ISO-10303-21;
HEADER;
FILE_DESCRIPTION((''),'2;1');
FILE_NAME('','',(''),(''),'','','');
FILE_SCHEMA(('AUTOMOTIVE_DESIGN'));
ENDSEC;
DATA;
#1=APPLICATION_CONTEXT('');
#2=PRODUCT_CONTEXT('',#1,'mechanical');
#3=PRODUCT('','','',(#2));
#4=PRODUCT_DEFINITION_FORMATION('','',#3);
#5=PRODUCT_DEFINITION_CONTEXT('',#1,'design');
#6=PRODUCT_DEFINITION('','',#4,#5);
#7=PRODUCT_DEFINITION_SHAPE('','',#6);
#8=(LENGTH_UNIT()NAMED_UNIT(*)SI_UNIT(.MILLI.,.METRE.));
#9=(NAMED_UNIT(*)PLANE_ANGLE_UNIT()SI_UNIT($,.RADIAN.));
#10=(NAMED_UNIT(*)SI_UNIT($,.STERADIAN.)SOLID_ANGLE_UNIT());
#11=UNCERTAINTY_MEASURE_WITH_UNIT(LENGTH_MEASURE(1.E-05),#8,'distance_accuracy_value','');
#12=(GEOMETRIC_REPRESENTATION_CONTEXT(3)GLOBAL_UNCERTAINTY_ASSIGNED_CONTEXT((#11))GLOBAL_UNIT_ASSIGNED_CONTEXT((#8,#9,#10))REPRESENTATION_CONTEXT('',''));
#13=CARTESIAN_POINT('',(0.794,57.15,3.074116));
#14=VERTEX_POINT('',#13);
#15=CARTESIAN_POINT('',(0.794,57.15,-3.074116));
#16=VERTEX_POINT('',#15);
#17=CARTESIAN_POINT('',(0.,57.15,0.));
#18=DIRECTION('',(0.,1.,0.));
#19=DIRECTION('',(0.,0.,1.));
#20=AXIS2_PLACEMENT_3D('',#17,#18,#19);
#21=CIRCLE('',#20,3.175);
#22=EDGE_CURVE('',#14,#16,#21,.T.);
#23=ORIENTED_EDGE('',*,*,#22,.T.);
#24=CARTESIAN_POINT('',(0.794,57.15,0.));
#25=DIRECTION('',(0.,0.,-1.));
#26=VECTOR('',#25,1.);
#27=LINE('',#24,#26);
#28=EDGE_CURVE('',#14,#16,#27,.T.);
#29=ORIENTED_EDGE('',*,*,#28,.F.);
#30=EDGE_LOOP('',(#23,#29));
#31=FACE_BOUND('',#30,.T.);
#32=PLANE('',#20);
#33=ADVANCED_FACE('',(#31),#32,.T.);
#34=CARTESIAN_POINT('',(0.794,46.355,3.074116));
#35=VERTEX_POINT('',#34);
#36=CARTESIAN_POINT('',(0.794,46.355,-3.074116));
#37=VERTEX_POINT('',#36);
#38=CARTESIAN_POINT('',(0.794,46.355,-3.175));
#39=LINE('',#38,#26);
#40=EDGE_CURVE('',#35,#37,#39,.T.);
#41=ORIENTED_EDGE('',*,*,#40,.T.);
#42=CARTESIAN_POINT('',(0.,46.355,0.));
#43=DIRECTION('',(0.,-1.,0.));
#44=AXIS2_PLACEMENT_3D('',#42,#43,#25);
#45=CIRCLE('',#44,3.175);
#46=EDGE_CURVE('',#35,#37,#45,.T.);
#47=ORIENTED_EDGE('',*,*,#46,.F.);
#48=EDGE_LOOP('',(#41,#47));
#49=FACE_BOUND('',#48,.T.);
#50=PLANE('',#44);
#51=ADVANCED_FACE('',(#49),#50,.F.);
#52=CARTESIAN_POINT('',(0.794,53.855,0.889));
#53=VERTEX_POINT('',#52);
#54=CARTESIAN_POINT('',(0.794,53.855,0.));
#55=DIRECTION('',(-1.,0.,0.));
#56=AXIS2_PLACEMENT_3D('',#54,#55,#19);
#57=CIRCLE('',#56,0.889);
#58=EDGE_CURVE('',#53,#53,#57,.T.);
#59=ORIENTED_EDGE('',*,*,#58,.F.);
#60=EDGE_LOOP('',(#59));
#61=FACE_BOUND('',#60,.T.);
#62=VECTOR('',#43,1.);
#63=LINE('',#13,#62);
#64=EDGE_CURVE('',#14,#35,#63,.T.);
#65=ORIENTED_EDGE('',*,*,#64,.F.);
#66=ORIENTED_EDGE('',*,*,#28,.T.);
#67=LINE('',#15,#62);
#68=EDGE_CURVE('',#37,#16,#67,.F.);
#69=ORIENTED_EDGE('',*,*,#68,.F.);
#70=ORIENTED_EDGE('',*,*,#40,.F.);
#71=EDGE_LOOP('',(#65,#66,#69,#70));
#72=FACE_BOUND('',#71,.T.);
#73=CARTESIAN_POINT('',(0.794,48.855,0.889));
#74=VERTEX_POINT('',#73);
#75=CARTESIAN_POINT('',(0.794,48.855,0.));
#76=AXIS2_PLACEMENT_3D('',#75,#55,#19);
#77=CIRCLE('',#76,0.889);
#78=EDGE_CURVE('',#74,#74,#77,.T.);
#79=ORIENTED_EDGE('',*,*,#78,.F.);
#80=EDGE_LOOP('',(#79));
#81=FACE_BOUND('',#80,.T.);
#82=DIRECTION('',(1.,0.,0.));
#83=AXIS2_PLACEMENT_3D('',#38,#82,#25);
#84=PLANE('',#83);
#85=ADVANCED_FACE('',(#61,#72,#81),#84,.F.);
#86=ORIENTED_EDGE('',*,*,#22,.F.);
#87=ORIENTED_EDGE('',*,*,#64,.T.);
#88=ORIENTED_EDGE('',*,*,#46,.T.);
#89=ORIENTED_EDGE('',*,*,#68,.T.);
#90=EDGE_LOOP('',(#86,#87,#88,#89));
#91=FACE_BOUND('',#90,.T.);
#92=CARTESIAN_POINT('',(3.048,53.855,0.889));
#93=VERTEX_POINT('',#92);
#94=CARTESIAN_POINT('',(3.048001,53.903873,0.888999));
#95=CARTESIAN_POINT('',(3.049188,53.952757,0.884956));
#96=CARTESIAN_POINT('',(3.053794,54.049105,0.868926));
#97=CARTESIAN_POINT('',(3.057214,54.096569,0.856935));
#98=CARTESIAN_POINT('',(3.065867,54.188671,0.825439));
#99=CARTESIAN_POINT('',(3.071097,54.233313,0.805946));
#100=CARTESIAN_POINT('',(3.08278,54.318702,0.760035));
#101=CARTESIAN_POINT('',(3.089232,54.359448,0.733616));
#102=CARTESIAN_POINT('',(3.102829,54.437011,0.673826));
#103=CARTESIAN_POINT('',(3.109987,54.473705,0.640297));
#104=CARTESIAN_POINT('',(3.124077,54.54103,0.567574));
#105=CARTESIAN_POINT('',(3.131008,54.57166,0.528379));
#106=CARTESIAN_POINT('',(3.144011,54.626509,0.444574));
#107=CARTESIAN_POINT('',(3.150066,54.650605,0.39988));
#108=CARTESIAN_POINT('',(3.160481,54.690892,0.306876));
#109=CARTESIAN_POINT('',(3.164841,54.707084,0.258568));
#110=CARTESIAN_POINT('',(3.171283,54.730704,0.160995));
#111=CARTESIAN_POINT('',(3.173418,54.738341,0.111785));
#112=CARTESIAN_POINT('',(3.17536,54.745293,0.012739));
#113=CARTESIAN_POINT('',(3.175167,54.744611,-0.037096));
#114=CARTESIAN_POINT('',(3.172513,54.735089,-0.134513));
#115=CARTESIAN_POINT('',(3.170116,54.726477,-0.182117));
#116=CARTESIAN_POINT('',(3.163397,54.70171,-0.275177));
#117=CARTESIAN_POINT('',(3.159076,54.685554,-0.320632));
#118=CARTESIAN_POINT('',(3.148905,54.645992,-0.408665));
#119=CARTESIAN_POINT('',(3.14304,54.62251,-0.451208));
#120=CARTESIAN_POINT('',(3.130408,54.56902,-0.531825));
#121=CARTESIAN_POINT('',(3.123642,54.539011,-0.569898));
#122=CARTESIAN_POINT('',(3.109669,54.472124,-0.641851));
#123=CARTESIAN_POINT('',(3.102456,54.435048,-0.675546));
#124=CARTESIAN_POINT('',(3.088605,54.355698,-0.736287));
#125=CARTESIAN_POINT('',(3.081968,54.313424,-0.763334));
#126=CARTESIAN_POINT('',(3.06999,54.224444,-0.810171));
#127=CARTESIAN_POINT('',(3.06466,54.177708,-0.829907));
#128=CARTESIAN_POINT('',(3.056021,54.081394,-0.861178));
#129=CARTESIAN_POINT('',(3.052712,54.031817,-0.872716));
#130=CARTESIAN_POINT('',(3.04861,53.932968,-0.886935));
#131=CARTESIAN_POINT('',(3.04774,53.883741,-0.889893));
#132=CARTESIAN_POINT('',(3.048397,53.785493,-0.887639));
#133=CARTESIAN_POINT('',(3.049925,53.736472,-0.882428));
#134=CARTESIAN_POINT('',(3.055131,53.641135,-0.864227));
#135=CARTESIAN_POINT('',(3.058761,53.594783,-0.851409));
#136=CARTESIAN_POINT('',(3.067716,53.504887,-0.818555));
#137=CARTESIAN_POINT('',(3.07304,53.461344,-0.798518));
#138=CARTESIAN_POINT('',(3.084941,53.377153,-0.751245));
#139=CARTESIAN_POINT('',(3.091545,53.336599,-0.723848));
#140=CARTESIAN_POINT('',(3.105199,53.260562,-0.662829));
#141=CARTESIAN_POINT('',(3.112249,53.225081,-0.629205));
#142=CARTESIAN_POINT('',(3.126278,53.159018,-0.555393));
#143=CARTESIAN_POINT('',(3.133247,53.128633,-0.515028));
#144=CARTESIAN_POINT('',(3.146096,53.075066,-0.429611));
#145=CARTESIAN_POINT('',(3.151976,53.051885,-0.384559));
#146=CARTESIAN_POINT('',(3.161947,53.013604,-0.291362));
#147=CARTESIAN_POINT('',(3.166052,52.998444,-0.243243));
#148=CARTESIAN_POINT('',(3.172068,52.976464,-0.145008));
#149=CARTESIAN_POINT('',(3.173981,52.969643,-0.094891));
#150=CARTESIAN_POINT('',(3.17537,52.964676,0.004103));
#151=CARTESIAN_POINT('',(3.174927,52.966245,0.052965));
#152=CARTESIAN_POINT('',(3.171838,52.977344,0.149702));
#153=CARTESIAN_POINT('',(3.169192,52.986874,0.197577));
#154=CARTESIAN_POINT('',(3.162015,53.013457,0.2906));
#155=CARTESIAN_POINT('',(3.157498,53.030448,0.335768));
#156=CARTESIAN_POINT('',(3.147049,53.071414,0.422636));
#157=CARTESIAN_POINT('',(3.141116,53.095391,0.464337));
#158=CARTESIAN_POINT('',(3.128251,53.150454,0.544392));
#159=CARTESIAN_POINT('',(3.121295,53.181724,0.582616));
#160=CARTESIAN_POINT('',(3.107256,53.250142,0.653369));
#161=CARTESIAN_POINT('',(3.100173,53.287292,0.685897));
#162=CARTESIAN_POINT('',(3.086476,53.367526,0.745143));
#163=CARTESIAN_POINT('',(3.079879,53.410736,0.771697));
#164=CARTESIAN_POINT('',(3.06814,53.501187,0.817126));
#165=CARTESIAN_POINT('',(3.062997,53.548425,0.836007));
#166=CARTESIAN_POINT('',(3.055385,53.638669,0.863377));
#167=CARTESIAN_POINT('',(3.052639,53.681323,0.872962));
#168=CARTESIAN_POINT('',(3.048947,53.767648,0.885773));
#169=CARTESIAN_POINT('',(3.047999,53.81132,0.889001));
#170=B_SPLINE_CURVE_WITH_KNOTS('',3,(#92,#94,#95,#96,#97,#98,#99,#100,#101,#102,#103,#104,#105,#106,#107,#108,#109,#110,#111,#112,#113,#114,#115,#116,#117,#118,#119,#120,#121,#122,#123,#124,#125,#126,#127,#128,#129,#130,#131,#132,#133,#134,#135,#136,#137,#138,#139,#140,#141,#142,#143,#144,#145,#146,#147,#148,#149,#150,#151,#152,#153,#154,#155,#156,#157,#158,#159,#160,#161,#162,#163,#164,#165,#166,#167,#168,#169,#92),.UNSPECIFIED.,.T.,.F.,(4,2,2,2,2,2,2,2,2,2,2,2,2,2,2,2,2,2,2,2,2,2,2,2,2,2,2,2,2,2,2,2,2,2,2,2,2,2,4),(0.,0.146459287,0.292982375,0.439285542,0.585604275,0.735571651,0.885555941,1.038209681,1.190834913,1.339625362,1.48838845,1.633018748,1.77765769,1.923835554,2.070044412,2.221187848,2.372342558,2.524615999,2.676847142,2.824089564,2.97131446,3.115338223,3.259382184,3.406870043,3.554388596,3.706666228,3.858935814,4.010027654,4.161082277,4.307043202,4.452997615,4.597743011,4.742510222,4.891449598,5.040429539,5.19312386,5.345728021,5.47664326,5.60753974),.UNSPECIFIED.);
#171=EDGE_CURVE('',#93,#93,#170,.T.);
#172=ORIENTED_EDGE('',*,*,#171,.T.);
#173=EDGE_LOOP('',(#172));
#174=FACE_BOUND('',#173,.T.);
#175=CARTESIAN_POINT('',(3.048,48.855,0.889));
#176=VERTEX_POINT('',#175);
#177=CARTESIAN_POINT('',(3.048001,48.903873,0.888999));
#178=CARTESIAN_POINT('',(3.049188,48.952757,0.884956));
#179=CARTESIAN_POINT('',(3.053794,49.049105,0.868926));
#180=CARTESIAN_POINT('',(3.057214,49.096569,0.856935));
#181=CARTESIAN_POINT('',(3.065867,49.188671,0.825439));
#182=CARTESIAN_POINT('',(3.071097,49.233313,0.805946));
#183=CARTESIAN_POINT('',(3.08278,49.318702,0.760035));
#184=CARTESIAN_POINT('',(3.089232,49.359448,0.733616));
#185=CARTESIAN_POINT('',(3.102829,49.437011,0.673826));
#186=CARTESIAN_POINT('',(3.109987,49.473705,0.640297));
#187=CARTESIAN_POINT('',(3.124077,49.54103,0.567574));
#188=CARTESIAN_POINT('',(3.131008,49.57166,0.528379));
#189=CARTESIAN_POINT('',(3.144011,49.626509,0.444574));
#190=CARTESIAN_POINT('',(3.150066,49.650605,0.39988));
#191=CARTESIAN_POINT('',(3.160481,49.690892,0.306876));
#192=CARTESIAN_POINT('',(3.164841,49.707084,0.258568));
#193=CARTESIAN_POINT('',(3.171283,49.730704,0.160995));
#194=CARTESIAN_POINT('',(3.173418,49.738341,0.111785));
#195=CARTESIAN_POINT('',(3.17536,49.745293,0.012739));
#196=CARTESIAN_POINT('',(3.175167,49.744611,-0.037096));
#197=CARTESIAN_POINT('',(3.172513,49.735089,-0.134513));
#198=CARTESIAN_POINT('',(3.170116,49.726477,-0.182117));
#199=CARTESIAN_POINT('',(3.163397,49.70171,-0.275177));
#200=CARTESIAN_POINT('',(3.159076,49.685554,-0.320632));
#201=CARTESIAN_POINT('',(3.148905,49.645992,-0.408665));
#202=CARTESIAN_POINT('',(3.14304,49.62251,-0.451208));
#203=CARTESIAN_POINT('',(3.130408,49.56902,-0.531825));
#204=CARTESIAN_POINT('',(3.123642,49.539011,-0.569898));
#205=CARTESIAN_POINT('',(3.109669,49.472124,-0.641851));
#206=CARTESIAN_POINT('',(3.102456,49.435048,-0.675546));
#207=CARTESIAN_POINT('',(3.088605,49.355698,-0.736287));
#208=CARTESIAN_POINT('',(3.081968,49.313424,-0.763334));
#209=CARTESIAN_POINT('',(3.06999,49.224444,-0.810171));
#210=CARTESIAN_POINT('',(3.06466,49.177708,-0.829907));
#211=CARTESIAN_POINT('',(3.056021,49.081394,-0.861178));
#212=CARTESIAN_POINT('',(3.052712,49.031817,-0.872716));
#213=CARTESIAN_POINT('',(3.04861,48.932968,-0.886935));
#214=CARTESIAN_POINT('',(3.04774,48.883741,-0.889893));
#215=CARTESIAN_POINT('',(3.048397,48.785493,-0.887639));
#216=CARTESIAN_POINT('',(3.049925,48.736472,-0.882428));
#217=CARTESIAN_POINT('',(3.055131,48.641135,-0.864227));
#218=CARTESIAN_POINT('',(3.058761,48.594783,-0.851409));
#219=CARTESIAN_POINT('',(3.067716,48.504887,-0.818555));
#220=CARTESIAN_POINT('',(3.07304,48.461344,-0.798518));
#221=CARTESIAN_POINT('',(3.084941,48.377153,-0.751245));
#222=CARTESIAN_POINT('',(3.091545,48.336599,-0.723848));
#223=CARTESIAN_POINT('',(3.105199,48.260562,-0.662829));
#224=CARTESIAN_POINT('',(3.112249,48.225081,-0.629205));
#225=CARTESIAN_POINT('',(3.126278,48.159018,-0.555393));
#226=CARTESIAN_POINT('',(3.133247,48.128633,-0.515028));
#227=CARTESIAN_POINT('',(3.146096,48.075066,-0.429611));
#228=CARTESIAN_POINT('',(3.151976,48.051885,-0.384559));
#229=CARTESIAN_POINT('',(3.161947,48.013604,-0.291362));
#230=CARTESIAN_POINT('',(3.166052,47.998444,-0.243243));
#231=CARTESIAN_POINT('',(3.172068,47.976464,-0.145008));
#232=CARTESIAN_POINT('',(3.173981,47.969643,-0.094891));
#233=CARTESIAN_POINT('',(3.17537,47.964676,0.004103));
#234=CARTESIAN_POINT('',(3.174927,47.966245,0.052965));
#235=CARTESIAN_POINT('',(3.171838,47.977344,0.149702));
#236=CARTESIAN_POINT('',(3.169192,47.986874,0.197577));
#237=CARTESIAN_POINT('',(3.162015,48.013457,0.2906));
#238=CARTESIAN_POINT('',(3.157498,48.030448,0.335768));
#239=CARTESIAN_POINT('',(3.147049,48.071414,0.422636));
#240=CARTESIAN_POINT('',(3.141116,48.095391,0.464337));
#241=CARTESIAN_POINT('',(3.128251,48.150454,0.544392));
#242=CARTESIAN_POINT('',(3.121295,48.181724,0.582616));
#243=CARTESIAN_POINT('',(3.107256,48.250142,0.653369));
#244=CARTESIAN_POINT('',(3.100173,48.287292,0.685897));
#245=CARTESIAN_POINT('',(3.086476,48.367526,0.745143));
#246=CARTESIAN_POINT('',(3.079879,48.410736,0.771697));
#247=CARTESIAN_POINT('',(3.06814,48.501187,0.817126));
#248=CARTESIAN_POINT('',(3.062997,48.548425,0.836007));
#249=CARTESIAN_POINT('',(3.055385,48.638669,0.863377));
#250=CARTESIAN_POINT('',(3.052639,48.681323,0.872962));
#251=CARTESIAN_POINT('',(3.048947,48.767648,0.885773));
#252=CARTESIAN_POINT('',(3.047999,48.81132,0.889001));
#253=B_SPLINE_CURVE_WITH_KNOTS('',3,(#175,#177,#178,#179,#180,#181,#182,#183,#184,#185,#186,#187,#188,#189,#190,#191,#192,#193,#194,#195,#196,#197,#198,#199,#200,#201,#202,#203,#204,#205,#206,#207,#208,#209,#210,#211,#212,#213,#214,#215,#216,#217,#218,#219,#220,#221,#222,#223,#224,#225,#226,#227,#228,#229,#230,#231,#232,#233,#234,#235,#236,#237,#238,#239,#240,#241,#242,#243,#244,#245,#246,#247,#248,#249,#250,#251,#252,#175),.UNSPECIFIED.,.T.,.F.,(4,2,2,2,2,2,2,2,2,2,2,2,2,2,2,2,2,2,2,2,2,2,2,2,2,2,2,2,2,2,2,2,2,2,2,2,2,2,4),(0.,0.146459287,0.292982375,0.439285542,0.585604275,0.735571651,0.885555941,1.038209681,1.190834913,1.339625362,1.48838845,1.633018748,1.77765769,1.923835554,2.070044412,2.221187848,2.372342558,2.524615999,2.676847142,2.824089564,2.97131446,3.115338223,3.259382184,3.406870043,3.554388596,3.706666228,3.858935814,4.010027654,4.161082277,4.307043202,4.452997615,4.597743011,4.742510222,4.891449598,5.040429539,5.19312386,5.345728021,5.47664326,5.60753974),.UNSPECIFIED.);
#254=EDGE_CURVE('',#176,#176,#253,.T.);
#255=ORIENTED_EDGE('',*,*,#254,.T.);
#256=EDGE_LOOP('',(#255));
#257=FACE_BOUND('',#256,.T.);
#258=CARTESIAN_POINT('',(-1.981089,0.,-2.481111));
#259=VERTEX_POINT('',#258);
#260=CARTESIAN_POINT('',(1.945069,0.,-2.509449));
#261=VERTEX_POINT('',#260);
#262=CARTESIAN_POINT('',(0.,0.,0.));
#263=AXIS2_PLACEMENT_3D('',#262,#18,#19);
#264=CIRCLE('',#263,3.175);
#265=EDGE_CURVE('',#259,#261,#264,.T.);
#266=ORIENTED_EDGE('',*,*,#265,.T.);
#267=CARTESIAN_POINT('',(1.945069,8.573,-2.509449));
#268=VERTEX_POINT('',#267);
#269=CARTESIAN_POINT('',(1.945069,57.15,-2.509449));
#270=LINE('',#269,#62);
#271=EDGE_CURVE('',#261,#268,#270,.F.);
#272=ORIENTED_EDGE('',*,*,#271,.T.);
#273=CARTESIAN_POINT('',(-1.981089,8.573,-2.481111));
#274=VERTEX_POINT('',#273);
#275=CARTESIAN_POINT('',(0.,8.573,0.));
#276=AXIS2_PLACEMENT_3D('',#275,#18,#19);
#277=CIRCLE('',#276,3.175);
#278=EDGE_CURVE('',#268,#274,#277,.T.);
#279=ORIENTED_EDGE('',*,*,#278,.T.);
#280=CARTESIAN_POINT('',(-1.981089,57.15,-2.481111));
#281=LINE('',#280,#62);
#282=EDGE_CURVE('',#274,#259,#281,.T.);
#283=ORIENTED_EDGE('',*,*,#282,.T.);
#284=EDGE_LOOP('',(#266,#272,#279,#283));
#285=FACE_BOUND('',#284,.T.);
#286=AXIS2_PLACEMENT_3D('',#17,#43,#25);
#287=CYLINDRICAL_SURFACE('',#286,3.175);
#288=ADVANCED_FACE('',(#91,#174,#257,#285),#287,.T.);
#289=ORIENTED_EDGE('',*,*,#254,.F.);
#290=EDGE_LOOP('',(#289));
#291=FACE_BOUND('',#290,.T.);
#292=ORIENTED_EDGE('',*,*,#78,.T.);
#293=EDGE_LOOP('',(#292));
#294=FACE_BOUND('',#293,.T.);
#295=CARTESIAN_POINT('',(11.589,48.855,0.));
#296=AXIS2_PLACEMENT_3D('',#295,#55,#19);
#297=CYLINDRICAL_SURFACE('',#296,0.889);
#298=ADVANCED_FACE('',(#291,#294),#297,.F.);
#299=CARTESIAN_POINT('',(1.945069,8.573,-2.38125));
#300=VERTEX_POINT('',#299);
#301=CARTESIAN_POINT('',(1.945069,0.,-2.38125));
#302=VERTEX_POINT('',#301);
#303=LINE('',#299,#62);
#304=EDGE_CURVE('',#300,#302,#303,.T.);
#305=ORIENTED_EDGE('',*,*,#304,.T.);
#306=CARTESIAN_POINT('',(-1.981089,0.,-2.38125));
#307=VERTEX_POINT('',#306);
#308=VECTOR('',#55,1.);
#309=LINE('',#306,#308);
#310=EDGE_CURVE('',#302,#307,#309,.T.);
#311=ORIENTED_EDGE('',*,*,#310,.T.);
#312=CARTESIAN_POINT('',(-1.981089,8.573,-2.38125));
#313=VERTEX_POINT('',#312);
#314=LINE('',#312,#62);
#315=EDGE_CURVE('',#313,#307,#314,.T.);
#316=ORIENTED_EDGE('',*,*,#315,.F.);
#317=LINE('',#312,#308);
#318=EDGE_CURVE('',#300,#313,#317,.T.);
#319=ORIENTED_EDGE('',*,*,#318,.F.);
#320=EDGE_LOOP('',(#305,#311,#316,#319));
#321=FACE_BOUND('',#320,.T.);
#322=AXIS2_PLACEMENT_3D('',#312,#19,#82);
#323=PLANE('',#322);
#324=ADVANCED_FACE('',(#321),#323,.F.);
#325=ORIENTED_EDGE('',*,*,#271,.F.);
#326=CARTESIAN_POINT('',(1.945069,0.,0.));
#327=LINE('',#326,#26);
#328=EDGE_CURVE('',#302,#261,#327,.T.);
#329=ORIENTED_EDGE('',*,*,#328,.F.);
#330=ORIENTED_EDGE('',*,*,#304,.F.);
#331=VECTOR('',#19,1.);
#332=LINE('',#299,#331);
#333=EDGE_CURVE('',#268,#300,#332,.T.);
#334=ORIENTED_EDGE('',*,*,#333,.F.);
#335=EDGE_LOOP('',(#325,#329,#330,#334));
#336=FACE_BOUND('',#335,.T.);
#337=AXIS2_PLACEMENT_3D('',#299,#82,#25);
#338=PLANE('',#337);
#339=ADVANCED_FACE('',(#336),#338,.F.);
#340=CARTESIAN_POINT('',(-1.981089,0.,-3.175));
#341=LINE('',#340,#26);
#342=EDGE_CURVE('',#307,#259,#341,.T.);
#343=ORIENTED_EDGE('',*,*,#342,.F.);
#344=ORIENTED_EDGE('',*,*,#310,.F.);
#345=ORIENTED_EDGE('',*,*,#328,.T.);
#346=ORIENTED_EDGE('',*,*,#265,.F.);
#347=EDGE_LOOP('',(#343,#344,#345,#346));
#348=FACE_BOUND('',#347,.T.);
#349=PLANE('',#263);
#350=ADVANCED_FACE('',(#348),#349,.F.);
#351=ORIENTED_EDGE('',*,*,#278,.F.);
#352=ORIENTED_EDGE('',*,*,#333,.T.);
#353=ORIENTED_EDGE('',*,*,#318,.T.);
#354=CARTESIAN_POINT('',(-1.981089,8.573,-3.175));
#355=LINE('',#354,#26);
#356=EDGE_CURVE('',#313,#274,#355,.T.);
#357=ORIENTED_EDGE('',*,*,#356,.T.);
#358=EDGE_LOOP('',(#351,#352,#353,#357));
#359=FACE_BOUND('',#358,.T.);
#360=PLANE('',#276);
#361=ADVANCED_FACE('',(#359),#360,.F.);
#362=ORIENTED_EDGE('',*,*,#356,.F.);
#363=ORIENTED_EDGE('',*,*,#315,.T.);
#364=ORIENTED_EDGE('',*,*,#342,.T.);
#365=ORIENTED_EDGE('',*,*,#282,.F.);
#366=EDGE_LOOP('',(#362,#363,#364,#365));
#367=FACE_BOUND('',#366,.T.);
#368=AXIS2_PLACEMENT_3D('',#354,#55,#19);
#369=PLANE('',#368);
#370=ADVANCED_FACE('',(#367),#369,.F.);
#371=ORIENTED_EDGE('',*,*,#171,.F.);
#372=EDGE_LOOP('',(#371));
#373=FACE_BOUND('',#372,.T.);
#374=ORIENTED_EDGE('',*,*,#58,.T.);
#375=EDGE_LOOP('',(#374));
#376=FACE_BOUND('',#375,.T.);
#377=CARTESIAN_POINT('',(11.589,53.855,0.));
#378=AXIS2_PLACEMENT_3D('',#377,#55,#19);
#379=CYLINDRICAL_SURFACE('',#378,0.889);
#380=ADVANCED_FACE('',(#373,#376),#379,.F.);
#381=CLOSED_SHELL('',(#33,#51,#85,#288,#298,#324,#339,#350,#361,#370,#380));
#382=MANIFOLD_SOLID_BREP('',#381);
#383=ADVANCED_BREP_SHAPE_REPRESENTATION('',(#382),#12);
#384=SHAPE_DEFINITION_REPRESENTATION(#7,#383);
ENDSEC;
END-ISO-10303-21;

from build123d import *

# Parameters (mm, degrees)
SKETCH_1_R          = 3.175
EXTRUDE_1_DEPTH     = 57.15
CUT_EXTRUDE_1_DEPTH = 10.795
SKETCH_3_R          = 0.889
CUT_EXTRUDE_2_DEPTH = 10.795
SKETCH_4_W          = 3.926157487
SKETCH_4_H          = 0.79375
CUT_EXTRUDE_3_DEPTH = 8.573


with BuildPart() as part:
    # 草图1 → 凸台-拉伸1 (new body)
    with BuildSketch(Plane(origin=(0, 0, 0), x_dir=(1, 0, 0), z_dir=(0, 1, 0))):
        Circle(SKETCH_1_R)
    extrude(amount=EXTRUDE_1_DEPTH)

    # 草图2 → 切除-拉伸1 (cut)
    with BuildSketch(Plane(origin=(0, 57.15, 0), x_dir=(1, 0, 0), z_dir=(0, 1, 0))):
        Polygon((-0.794, 3.175), (0.794, 3.175), (0.794, -3.175), (-3.175, -3.175), (-3.175, 3.175), align=None)
    extrude(amount=-CUT_EXTRUDE_1_DEPTH, mode=Mode.SUBTRACT)

    # 草图3 → 切除-拉伸2 (cut)
    with BuildSketch(Plane.ZY.offset(-0.794)):
        with Locations((0, 53.855)):
            Circle(SKETCH_3_R)
        with Locations((0, 48.855)):
            Circle(SKETCH_3_R)
    extrude(amount=-CUT_EXTRUDE_2_DEPTH, mode=Mode.SUBTRACT)

    # 草图4 → 切除-拉伸3 (cut)
    with BuildSketch(Plane.XZ):
        with Locations((-0.018009896, -2.778125)):
            Rectangle(SKETCH_4_W, SKETCH_4_H)
    extrude(amount=-CUT_EXTRUDE_3_DEPTH, mode=Mode.SUBTRACT)


solid = part.part
